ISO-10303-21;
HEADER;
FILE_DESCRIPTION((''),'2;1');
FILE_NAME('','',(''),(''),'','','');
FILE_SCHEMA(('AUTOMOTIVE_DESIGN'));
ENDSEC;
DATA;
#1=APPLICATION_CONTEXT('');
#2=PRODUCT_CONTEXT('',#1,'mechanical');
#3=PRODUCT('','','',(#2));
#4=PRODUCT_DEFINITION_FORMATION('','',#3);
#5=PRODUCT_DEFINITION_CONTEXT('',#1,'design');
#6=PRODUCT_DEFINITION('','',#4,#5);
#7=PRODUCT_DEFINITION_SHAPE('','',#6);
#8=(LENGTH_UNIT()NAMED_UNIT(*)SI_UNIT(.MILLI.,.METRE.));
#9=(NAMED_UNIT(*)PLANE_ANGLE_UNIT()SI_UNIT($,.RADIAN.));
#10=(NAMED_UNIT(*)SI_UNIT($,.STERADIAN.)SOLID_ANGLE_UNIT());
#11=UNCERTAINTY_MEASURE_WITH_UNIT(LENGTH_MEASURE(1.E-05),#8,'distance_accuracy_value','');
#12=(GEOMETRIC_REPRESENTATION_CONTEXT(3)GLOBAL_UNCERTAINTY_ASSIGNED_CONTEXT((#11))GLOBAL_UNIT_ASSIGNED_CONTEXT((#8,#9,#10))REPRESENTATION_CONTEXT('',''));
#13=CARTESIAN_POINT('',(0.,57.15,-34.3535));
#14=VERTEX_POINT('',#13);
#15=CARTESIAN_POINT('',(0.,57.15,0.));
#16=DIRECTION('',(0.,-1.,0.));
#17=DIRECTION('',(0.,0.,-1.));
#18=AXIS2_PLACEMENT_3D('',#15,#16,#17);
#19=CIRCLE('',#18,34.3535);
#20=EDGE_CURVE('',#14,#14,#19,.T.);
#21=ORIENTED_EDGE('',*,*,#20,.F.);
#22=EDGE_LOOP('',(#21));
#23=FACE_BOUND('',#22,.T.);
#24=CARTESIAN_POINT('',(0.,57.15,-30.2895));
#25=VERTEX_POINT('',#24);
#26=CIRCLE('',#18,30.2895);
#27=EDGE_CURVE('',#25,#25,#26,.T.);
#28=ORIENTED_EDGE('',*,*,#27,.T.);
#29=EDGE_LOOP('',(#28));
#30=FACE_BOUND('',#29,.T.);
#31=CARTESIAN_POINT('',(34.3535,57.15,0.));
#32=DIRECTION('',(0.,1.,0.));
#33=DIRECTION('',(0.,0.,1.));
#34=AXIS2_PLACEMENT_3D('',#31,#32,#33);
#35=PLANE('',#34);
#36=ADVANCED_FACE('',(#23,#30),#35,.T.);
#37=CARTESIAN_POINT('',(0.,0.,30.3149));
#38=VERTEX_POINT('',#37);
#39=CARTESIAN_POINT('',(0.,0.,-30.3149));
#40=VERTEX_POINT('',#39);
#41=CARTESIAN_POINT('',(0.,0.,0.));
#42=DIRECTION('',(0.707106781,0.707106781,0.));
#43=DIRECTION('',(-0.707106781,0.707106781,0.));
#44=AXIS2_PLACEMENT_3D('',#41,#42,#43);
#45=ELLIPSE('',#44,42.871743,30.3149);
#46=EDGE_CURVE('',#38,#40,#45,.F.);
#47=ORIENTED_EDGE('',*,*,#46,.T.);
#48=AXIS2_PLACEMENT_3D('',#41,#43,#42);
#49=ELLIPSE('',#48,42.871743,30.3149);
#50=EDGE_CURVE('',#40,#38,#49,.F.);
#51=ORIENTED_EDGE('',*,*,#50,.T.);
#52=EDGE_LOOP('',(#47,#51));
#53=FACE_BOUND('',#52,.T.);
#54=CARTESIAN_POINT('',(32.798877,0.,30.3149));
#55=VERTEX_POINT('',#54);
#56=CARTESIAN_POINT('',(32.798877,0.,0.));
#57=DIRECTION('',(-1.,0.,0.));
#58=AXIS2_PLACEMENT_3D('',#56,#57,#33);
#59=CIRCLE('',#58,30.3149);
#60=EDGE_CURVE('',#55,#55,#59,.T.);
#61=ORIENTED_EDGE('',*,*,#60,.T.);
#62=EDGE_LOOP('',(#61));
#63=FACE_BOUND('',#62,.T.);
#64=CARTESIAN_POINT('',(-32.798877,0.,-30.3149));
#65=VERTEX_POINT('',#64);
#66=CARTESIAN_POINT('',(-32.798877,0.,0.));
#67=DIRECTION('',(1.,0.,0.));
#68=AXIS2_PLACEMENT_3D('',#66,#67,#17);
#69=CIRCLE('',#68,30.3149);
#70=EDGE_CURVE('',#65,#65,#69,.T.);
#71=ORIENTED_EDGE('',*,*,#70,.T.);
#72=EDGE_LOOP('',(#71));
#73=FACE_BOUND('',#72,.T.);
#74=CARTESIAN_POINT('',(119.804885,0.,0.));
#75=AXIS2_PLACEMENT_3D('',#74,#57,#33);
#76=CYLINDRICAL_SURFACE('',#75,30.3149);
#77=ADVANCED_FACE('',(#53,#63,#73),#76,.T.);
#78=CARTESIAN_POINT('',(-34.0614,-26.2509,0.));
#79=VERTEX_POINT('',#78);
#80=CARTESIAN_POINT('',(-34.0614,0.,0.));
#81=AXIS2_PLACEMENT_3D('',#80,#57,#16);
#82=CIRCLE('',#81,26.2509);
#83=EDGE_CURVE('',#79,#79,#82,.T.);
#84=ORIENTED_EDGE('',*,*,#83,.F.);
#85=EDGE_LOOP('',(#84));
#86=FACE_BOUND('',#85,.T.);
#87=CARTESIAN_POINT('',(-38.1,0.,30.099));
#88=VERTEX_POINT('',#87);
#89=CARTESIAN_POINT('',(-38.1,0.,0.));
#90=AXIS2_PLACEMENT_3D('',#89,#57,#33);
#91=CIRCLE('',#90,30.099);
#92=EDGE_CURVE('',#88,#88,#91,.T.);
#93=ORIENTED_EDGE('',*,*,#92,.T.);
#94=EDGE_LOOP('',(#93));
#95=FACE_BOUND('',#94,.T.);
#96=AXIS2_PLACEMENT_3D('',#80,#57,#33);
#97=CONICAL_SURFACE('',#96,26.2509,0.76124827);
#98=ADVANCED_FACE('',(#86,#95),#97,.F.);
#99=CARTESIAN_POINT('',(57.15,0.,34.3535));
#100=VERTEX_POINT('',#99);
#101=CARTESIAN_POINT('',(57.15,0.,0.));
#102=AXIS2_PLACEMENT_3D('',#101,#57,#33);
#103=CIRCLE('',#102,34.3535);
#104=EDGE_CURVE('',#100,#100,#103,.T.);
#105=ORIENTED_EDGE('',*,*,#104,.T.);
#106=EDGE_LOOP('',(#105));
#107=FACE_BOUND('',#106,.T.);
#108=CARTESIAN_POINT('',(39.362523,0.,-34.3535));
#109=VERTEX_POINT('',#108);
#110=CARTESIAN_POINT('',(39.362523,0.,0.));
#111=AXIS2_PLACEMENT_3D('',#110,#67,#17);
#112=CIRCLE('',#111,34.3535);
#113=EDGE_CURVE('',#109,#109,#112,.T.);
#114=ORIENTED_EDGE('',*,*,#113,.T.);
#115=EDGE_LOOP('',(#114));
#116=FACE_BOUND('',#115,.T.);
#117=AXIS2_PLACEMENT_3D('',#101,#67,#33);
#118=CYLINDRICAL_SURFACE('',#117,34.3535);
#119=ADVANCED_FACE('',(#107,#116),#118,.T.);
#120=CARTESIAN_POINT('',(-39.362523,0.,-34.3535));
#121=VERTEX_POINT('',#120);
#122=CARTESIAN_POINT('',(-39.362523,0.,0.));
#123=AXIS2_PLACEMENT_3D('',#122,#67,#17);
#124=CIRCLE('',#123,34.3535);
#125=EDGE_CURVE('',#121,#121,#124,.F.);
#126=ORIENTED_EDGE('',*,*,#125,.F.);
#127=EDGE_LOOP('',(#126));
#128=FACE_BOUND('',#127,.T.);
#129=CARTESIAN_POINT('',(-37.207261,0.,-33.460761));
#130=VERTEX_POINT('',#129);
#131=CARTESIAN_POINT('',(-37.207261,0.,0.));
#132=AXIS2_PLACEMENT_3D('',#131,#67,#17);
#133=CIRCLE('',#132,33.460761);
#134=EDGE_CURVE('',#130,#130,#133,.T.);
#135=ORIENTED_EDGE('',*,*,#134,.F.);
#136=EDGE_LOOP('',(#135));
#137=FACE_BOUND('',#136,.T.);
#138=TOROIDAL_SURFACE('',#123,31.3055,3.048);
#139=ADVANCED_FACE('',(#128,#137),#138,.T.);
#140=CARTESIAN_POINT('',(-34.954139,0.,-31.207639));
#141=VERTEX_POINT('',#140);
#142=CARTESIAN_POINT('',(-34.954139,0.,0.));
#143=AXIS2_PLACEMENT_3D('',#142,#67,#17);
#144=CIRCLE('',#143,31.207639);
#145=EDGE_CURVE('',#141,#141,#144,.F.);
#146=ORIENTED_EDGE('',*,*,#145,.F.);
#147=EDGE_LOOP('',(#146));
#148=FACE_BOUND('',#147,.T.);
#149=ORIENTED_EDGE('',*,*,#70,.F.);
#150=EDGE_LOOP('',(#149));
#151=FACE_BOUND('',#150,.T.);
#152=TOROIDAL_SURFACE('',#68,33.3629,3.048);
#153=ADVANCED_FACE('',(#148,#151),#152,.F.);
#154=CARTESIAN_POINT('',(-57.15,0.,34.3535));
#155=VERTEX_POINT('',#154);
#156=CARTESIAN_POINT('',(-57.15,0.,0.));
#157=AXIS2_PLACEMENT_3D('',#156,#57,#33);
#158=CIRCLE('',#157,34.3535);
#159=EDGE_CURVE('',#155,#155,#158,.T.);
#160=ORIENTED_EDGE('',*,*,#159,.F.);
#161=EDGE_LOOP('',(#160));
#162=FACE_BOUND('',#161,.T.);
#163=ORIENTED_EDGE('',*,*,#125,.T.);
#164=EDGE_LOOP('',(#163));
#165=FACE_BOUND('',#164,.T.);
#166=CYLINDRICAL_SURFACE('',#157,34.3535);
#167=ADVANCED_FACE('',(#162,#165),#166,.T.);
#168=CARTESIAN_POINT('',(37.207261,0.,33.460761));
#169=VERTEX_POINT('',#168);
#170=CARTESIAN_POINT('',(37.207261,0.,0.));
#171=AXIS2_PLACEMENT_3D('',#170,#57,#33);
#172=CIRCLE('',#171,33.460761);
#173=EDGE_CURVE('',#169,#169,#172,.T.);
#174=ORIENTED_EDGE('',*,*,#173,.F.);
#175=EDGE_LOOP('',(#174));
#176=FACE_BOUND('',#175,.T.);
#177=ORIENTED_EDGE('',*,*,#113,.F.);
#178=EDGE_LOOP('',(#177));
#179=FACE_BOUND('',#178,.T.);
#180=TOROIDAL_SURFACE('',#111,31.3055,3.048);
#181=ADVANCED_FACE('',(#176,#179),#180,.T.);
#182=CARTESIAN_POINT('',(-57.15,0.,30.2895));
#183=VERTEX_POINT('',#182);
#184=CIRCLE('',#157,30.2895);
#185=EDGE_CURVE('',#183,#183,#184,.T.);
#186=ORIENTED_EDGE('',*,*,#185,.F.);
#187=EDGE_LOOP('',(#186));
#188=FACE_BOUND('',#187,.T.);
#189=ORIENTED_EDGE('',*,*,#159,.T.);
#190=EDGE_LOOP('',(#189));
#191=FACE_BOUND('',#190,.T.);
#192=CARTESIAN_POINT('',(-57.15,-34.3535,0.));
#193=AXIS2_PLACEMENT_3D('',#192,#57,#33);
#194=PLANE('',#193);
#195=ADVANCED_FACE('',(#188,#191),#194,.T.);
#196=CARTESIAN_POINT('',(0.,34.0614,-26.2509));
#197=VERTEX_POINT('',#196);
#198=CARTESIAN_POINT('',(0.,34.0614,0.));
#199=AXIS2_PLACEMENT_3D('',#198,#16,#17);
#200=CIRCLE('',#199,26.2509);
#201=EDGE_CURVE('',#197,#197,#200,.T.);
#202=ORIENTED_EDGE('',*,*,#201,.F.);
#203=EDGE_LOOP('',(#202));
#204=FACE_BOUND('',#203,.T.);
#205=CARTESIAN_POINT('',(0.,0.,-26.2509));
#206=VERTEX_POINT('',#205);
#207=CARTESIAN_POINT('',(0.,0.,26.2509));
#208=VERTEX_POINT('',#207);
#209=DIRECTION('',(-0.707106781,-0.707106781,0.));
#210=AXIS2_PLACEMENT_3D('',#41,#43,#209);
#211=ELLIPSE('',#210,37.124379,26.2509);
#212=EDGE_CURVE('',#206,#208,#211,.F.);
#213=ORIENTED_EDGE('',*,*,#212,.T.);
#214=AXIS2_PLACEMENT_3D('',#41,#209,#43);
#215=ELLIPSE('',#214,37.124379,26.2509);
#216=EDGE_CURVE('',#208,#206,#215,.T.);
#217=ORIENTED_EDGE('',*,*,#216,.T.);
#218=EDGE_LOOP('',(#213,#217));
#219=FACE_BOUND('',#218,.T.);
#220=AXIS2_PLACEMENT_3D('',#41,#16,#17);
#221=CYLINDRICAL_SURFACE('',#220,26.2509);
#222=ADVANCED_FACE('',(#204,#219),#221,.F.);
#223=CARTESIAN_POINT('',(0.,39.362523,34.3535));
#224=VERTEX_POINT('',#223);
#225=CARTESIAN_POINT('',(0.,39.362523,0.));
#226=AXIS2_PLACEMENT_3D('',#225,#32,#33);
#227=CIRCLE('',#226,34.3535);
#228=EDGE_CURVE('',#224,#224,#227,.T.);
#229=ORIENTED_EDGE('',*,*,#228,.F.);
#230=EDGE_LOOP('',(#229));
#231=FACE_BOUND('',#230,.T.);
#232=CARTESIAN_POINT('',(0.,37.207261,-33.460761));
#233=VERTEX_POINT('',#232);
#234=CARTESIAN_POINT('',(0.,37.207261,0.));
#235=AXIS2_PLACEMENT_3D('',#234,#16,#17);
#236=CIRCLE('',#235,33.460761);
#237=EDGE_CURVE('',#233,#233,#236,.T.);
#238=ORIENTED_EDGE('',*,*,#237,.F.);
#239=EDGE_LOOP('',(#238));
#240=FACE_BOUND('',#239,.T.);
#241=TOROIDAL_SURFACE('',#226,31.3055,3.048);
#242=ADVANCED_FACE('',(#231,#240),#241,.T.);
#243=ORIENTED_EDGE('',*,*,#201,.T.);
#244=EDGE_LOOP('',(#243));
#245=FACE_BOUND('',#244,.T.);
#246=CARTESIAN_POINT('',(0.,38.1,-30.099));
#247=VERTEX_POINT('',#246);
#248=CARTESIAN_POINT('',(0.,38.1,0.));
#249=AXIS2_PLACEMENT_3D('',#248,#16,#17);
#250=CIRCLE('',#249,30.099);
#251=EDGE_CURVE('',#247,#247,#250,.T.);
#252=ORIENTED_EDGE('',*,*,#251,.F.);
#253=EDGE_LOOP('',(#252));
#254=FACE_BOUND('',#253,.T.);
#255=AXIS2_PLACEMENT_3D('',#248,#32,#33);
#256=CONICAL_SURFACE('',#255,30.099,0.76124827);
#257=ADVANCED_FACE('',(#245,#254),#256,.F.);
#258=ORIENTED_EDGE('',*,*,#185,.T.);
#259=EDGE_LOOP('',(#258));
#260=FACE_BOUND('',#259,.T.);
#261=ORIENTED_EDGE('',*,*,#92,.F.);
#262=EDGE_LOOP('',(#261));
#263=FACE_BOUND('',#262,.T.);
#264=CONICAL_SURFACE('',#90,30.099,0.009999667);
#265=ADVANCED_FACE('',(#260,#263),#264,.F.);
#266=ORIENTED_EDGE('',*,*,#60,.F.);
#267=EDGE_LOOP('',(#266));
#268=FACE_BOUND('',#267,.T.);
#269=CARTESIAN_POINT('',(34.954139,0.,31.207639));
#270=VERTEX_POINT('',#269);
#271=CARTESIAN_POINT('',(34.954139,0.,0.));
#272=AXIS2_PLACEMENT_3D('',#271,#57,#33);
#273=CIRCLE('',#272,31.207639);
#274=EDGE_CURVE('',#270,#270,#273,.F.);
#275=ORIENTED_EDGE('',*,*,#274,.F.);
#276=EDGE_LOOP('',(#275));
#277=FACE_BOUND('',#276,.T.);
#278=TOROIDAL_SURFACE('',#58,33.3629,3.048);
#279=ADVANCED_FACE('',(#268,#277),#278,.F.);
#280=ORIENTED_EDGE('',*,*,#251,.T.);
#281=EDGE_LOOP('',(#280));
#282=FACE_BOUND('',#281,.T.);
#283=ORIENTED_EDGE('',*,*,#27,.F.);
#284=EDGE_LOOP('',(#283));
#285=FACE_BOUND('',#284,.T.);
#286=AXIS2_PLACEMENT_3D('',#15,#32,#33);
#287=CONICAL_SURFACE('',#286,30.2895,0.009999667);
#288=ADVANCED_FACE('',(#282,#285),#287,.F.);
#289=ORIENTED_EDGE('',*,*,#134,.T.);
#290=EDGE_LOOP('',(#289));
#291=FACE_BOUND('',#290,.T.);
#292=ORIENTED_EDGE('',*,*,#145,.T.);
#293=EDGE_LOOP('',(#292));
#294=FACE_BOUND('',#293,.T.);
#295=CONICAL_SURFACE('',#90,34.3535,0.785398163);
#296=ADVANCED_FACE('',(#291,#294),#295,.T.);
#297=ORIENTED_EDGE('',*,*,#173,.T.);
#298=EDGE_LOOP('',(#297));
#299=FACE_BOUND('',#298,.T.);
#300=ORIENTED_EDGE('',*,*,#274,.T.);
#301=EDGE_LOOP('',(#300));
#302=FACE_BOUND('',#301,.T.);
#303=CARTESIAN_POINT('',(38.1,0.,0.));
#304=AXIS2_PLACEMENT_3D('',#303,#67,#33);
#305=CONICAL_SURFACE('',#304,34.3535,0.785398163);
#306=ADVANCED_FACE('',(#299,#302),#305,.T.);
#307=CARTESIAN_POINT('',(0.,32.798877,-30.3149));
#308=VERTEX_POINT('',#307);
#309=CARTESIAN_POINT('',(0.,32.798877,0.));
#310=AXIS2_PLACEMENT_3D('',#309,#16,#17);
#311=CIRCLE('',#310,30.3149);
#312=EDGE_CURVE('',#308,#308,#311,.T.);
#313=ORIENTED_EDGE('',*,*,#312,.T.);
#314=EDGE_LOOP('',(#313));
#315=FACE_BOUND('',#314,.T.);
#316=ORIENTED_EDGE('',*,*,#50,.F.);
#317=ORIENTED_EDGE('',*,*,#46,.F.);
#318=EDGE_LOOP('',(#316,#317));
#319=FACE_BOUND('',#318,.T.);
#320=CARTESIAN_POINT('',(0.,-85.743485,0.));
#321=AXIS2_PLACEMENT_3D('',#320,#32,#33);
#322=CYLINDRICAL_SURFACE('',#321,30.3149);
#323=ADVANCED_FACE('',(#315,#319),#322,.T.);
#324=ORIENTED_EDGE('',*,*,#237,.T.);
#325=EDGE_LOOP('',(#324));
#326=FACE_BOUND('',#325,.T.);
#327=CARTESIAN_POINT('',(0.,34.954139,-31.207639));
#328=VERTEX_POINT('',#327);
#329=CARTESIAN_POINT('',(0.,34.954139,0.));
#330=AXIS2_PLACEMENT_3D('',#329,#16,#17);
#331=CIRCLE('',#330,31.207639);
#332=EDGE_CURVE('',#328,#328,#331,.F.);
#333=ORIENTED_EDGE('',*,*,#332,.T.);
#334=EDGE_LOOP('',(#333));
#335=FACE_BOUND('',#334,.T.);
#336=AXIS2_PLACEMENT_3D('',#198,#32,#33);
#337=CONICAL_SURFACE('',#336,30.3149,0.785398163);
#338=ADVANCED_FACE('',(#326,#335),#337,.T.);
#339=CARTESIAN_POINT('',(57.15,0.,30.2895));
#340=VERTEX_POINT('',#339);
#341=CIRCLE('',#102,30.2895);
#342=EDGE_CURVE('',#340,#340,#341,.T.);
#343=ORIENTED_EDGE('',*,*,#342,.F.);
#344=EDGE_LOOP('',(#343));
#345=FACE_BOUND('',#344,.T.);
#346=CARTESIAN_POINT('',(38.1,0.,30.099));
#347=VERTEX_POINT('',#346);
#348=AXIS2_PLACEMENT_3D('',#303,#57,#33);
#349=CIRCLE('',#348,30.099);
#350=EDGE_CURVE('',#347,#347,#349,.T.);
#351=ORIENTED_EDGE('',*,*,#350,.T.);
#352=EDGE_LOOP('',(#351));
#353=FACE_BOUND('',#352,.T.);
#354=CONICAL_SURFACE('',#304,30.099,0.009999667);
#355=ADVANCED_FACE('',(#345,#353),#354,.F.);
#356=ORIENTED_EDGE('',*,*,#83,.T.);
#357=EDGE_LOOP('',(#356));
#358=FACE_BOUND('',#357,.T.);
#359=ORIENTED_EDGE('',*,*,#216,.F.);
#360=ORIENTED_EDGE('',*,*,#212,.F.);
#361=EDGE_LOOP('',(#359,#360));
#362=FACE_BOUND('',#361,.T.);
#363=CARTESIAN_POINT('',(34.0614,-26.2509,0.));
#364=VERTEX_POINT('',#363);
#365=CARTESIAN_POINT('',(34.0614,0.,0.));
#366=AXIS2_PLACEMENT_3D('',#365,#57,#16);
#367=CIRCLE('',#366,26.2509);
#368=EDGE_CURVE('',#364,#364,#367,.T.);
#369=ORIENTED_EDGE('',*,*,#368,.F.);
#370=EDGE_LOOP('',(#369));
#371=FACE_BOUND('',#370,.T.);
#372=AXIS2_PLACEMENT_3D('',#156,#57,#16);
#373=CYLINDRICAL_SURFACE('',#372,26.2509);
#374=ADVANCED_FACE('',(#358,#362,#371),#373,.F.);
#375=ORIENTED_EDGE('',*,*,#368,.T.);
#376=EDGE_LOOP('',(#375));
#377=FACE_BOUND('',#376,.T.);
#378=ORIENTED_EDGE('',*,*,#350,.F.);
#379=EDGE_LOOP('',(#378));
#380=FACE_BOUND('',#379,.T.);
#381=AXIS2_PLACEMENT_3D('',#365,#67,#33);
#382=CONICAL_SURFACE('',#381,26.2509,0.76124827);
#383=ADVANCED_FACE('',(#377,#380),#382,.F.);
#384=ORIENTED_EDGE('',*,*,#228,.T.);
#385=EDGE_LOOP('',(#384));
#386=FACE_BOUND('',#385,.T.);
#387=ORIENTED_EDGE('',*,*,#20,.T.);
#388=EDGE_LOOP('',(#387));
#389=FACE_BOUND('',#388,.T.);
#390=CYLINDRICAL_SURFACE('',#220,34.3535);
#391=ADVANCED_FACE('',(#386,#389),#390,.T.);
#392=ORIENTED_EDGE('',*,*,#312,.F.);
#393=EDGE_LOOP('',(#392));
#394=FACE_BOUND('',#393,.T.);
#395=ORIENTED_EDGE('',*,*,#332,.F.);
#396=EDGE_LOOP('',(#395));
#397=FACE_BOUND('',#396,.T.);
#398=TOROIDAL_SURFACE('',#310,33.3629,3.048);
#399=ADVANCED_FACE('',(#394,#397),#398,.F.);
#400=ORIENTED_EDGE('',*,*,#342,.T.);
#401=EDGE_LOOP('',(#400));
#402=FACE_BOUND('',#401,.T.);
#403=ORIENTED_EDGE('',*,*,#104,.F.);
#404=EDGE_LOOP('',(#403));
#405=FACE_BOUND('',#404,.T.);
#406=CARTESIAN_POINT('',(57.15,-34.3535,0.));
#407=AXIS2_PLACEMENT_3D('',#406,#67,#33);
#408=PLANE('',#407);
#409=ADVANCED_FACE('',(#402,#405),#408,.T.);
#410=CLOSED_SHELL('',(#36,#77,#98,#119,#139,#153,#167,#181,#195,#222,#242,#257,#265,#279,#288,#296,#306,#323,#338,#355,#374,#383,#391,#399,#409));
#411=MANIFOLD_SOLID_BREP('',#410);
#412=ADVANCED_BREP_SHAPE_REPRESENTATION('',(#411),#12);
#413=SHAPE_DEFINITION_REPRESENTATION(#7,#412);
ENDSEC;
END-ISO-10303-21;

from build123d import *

# Parameters (mm, degrees)
SKETCH5_R           = 30.3149
BOSS_EXTRUDE1_DEPTH = 68.1228
SKETCH6_R           = 30.3149
BOSS_EXTRUDE2_DEPTH = 34.0614
FILLET1_R           = 3.048


with BuildPart() as part:
    # Sketch1 → Revolve1 (revolve)
    with BuildSketch(Plane.XY):
        Polygon((-38.1, -34.3535), (-34.0614, -30.3149), (-34.0614, -26.2509), (-38.1, -30.099), (-57.15, -30.2895), (-57.15, -34.3535), align=None)
    revolve(axis=Axis((-57.15, 0, 0), (1, 0, 0)))


with BuildPart() as body_2:
    # Mirror1: mirrored copy
    add(part.part.mirror(Plane(origin=(0, 0, 0), x_dir=(0, 0, 1), z_dir=(1, 0, 0))))


with BuildPart() as body_3:
    # Sketch2 → Revolve2 (revolve)
    with BuildSketch(Plane.XY):
        Polygon((30.2895, 57.15), (30.099, 38.1), (26.2509, 34.0614), (30.3149, 34.0614), (34.3535, 38.1), (34.3535, 57.15), align=None)
    revolve(axis=Axis((0, 0, 0), (0, 1, 0)))


with BuildPart() as part_1:
    add(part.part)

    add(body_2.part)  # Boss-Extrude1 merges body 2
    # Sketch5 → Boss-Extrude1 (add)
    with BuildSketch(Plane(origin=(-34.0614, 0, 0), x_dir=(0, 0, -1), z_dir=(1, 0, 0))):
        Circle(SKETCH5_R)
    extrude(amount=BOSS_EXTRUDE1_DEPTH)

    add(body_3.part)  # Boss-Extrude2 merges body 3
    # Sketch6 → Boss-Extrude2 (add)
    with BuildSketch(Plane.XZ.offset(-34.0614)):
        Circle(SKETCH6_R)
    extrude(amount=BOSS_EXTRUDE2_DEPTH)

    # Fillet1
    fillet1_edges = [part_1.edges().sort_by_distance(p)[0] for p in [
        (-34.0614, 21.435871361, 21.435871361),
        (34.0614, 21.435871361, 21.435871361),
        (-38.1, 34.3535, 0),
        (38.1, 34.3535, 0),
        (-30.3149, 34.0614, 0),
        (-34.3535, 38.1, 0),
    ]]
    fillet(fillet1_edges, radius=FILLET1_R)

    # Sketch7 → Cut-Revolve1 (revolve, cut)
    with BuildSketch(Plane.XY):
        Polygon((-57.15, 0), (57.15, 0), (57.15, 30.2895), (38.1, 30.099), (34.0614, 26.2509), (-34.0614, 26.2509), (-38.1, 30.099), (-57.15, 30.2895), align=None)
    revolve(axis=Axis((-57.15, 0, 0), (1, 0, 0)), mode=Mode.SUBTRACT)

    # Sketch8 → Cut-Revolve4 (revolve, cut)
    with BuildSketch(Plane.XY):
        Polygon((30.2895, 57.15), (30.099, 38.1), (26.2509, 34.0614), (26.2509, 0), (0, 0), (0, 57.15), align=None)
    revolve(axis=Axis((0, 0, 0), (0, 1, 0)), mode=Mode.SUBTRACT)


solid = part_1.part
